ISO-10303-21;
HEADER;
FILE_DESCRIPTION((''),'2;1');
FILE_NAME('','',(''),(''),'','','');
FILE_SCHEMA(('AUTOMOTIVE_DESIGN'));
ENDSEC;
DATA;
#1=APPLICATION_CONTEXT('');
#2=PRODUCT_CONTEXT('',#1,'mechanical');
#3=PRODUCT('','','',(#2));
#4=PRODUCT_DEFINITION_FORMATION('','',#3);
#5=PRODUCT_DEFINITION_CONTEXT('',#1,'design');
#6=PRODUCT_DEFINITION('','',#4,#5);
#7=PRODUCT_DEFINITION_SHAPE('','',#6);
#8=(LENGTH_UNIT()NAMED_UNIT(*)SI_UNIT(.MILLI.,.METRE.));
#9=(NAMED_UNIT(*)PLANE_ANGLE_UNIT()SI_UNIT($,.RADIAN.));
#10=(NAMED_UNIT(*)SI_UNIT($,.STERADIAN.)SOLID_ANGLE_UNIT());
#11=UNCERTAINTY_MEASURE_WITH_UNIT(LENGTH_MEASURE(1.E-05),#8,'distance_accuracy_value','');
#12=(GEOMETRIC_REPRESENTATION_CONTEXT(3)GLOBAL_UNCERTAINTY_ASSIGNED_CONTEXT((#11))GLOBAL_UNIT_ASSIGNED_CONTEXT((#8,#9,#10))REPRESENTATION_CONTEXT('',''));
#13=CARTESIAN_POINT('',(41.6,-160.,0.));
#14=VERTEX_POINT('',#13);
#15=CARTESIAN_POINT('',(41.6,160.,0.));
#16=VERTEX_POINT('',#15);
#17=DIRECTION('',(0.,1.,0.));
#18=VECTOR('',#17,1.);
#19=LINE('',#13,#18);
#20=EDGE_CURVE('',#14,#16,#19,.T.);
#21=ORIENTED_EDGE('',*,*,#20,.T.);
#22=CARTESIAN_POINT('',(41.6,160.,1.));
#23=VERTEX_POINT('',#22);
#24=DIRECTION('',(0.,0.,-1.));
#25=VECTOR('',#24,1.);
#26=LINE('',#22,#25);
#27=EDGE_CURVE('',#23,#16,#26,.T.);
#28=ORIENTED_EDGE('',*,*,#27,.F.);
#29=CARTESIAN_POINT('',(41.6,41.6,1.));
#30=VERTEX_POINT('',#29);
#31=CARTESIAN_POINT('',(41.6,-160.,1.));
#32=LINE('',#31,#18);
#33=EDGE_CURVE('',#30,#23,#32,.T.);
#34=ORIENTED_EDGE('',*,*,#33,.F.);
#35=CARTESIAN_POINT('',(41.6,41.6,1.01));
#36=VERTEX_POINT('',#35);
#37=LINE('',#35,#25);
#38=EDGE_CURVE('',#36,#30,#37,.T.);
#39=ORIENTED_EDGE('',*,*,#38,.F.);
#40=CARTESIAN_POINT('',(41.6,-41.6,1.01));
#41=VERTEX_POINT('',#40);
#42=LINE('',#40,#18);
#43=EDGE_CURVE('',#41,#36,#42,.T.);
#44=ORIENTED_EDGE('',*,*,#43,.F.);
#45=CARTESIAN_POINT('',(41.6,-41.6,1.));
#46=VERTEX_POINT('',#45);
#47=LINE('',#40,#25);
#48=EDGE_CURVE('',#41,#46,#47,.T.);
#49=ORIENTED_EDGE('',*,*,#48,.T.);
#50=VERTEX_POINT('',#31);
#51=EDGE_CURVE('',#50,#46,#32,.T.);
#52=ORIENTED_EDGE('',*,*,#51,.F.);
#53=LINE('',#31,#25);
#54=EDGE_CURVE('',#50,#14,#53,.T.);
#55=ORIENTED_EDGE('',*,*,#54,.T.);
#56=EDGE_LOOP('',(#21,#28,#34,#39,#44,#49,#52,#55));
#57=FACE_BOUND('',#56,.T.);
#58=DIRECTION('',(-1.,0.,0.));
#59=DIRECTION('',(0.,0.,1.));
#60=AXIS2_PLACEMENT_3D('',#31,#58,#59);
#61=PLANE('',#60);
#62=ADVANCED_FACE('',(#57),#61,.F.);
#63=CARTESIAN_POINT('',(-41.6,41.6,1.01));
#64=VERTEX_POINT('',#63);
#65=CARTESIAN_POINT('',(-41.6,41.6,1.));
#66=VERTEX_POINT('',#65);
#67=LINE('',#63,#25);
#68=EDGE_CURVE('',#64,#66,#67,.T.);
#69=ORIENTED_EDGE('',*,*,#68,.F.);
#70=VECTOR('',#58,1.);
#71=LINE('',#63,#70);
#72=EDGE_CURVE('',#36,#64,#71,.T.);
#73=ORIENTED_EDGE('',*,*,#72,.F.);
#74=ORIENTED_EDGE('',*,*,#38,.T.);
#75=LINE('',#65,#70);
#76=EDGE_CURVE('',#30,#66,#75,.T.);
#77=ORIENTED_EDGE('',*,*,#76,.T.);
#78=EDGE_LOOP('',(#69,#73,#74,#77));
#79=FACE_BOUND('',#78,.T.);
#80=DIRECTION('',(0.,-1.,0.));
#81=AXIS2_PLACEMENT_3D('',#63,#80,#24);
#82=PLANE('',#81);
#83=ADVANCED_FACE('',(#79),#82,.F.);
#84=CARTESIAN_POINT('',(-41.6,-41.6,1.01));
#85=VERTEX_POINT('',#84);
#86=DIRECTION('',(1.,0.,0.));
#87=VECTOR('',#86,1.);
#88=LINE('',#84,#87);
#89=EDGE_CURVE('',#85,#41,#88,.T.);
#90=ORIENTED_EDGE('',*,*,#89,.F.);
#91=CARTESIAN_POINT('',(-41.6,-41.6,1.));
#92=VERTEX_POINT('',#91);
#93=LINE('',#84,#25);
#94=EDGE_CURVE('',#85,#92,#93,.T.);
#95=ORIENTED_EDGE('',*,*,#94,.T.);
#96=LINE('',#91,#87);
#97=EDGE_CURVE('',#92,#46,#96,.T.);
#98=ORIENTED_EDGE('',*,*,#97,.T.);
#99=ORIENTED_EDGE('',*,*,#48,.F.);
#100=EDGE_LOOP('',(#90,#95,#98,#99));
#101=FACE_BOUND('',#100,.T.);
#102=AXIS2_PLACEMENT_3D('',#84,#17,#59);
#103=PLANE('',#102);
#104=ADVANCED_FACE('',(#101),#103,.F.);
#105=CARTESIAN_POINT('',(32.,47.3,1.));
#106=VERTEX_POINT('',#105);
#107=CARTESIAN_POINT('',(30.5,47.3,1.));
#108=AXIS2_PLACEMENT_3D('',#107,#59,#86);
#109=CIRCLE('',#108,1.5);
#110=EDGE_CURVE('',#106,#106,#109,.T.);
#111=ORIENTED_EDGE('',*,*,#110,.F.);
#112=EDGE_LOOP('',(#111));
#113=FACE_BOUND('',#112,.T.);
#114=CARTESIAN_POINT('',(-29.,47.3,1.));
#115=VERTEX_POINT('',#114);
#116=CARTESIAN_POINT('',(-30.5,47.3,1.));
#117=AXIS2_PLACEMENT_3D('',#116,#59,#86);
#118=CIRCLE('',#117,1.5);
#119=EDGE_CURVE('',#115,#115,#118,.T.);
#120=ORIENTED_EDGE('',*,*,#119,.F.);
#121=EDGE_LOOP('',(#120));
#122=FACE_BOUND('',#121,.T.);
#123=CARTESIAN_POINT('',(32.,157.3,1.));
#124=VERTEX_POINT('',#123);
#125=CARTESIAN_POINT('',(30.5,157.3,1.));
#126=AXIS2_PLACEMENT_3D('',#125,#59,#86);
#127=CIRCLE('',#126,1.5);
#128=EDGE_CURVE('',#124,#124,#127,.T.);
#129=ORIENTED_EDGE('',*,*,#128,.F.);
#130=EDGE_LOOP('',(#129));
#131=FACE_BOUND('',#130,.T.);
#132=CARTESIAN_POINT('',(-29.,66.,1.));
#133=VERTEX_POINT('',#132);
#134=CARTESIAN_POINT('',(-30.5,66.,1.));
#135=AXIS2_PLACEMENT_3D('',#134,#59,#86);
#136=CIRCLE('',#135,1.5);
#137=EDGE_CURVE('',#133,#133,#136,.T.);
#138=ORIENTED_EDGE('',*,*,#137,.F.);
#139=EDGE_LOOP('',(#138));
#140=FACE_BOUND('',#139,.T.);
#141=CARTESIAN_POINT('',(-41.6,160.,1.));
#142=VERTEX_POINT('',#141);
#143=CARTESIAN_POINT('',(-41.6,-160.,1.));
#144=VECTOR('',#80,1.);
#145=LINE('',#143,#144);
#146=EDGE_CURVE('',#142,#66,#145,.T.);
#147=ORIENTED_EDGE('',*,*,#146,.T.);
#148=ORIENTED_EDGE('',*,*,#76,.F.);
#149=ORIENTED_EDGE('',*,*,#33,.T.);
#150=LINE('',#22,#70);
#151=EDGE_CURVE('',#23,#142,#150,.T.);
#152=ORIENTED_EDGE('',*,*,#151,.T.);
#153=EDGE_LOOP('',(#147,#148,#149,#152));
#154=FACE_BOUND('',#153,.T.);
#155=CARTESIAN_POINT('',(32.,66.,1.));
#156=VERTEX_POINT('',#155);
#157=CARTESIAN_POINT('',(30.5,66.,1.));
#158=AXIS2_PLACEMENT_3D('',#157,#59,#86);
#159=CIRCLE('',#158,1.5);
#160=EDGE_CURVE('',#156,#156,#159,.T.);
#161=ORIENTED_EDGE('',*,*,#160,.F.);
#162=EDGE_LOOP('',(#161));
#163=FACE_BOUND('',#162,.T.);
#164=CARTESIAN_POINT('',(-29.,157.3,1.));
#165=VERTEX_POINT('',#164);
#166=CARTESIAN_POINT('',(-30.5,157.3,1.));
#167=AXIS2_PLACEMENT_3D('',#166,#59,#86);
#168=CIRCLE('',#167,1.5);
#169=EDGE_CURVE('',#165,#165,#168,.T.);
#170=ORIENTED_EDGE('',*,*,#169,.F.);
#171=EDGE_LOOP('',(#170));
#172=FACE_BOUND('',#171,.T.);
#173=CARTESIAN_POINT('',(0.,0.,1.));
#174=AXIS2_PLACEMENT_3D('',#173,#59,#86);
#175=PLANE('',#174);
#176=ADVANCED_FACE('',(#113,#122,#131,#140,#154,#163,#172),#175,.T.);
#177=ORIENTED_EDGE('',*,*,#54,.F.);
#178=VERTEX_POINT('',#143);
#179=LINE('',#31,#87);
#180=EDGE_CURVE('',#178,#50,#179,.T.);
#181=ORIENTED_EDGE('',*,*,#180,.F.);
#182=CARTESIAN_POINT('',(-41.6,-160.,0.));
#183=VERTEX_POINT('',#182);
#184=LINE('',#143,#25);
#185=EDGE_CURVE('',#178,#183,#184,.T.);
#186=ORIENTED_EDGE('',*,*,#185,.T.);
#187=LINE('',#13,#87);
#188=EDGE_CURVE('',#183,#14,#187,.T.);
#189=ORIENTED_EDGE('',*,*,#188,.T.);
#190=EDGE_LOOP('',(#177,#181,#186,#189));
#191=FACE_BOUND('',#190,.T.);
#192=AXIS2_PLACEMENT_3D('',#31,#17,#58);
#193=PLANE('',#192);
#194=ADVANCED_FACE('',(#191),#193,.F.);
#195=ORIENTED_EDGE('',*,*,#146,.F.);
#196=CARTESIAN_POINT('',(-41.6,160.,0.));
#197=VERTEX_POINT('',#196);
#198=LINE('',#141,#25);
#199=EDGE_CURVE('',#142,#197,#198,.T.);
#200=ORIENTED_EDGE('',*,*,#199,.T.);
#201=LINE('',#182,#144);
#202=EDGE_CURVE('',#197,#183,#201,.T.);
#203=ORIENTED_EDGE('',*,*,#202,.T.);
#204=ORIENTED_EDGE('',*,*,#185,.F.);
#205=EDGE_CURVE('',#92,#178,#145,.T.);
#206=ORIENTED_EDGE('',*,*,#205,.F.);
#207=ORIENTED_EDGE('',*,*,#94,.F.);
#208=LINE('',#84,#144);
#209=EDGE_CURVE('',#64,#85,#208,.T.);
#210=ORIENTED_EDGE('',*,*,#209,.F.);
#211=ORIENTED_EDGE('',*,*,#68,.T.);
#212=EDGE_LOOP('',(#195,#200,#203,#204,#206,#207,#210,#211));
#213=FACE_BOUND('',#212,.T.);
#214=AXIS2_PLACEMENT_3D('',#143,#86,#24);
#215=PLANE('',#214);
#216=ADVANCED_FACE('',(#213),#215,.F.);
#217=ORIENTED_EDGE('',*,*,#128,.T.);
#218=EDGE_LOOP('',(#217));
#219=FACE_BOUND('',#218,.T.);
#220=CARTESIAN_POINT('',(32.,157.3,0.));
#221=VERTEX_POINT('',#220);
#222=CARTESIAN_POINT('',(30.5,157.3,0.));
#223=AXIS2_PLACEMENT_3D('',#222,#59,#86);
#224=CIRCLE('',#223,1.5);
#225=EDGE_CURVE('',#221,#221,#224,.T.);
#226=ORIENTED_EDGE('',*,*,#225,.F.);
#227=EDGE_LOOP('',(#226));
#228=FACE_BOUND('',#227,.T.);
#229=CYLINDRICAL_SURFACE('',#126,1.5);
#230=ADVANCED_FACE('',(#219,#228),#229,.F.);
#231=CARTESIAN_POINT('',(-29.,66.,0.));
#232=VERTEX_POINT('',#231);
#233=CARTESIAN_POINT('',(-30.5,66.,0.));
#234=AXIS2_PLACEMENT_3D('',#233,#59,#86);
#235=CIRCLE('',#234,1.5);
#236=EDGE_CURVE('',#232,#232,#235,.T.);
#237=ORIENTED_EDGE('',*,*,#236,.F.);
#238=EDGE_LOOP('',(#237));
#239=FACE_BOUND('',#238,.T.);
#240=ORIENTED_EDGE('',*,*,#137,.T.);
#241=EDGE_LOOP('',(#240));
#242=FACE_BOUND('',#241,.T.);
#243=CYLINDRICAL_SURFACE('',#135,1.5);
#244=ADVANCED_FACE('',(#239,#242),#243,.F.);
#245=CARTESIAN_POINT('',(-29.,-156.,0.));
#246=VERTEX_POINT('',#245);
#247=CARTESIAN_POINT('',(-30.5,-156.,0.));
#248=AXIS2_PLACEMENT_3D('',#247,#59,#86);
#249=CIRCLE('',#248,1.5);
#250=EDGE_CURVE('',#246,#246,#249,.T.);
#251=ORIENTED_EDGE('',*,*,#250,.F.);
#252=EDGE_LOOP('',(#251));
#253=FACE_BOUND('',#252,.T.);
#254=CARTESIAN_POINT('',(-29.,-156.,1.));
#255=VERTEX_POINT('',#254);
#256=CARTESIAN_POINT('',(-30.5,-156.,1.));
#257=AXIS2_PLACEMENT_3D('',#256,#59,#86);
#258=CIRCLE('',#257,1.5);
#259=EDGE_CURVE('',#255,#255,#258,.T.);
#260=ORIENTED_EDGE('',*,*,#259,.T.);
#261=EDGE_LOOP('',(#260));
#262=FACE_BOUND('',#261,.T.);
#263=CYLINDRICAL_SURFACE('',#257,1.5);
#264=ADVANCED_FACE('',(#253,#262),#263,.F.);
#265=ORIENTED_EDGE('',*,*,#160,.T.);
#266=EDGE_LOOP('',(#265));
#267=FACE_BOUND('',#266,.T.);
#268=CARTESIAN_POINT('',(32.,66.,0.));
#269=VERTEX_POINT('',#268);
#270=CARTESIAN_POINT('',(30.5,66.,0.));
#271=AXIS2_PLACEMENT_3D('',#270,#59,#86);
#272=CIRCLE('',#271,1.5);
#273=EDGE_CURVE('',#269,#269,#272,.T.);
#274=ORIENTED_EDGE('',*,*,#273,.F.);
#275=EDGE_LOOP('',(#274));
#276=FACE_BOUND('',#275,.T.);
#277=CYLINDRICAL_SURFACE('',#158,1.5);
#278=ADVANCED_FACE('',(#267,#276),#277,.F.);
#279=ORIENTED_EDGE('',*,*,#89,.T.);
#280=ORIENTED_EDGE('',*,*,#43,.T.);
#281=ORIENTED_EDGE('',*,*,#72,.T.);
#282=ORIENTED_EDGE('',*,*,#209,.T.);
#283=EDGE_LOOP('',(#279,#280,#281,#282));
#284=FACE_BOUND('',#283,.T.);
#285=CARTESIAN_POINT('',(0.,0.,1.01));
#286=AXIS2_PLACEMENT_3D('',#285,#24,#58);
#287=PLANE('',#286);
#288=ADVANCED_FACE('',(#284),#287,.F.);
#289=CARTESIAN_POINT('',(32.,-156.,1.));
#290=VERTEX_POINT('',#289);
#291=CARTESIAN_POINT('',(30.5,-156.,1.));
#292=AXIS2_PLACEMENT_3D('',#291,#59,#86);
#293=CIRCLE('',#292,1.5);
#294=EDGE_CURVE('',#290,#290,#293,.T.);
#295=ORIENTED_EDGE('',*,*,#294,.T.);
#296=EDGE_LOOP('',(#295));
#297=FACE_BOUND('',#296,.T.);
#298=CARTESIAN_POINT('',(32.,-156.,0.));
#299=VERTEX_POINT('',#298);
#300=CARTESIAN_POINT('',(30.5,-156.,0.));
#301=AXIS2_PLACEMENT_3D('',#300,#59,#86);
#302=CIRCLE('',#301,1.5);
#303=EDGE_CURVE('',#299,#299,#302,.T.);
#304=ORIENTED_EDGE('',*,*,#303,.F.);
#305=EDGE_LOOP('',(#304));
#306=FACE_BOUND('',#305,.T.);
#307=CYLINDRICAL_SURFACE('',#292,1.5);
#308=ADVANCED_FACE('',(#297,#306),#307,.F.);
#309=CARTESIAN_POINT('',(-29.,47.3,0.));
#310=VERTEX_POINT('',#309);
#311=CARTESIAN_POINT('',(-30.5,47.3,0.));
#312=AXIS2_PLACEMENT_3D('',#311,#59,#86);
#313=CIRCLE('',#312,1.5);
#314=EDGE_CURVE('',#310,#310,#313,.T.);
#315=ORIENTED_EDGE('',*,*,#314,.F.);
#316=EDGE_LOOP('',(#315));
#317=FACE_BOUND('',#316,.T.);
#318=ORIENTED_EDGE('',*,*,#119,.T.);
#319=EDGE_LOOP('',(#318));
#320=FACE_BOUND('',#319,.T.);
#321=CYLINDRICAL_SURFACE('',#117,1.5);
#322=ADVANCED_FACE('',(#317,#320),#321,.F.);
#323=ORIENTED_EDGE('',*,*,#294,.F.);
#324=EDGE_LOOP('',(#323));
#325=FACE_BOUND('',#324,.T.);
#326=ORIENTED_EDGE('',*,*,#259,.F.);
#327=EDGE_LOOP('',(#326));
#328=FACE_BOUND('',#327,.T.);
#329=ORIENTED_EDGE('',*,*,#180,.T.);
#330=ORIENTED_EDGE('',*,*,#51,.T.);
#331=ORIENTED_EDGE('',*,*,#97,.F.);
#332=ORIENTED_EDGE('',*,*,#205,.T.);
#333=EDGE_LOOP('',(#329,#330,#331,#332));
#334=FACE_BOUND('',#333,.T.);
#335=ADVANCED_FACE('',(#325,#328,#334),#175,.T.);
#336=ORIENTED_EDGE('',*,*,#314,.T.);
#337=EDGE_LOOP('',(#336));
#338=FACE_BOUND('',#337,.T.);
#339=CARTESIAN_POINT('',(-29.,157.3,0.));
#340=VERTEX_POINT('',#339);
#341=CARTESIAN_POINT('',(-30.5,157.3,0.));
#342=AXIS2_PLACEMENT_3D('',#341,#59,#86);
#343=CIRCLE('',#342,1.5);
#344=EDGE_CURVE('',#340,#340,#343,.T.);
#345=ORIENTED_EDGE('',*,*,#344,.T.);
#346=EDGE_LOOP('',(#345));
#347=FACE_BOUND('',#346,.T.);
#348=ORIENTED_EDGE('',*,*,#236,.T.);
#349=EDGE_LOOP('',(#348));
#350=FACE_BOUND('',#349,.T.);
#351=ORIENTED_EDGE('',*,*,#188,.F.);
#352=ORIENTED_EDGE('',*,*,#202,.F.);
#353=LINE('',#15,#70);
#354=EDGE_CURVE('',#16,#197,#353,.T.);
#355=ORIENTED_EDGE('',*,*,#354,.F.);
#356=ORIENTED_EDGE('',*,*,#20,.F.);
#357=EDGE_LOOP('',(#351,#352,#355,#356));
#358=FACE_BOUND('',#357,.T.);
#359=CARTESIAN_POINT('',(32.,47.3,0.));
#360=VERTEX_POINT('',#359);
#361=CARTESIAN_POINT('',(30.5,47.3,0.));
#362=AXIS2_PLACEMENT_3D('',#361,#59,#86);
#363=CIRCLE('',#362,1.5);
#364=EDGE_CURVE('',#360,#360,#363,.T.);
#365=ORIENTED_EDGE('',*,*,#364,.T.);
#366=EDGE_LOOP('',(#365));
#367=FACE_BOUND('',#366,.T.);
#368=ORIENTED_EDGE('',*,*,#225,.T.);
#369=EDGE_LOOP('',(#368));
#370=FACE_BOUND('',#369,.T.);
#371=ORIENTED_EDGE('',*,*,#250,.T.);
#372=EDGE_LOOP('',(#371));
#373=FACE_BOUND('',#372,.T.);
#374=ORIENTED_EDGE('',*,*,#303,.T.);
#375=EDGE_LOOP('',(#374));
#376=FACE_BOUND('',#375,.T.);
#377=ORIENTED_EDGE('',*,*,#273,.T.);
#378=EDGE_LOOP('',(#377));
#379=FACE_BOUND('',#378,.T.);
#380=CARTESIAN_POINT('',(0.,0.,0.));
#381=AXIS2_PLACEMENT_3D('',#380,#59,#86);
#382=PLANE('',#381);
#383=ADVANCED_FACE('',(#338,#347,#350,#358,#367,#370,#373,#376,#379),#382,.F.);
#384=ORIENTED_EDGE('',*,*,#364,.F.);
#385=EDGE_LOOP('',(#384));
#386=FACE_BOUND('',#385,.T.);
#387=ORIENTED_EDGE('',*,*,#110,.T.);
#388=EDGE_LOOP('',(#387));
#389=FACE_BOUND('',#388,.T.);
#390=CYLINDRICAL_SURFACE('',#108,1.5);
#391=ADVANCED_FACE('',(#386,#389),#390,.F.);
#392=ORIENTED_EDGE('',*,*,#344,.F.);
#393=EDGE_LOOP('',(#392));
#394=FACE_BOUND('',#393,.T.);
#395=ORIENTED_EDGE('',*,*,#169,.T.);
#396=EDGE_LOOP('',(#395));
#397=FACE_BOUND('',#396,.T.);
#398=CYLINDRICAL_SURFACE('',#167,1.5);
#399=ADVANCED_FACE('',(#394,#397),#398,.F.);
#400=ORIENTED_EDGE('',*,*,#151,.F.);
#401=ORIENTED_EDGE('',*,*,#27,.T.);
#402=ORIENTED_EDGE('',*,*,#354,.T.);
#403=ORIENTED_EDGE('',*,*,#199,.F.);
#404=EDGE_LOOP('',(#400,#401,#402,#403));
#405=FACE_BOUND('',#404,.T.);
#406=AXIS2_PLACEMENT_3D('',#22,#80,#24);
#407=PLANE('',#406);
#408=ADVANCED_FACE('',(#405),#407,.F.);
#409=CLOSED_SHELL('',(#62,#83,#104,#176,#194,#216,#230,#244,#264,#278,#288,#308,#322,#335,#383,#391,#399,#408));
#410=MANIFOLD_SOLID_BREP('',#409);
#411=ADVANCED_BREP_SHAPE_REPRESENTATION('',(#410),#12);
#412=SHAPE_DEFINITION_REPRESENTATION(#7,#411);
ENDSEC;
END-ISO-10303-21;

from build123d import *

# Parameters (mm, degrees)
SKETCH1_W                = 83.2
SKETCH1_H                = 320
BOSS_EXTRUDE1_DEPTH      = 1
F_3_0_3_DIAMETER_HOLE1_D = 3
SKETCH_1_W               = 83.2
SKETCH_1_H               = 83.2
EXTRUDE_1_DEPTH          = 0.01


with BuildPart() as part:
    # Sketch1 → Boss-Extrude1 (new body)
    with BuildSketch(Plane.XY):
        Rectangle(SKETCH1_W, SKETCH1_H)
    extrude(amount=BOSS_EXTRUDE1_DEPTH)

    # Ø3.0 (3) Diameter Hole1 (through all)
    with Locations(Plane.XY.offset(1)):
        with Locations((-30.5, 66), (30.5, 66), (30.5, -156), (-30.5, -156), (-30.5, 157.3), (30.5, 157.3), (-30.5, 47.3), (30.5, 47.3)):
            Hole(F_3_0_3_DIAMETER_HOLE1_D / 2)

    # Эскиз1 → Бобышка-Вытянуть1 (add)
    with BuildSketch(Plane.XY.offset(1)):
        Rectangle(SKETCH_1_W, SKETCH_1_H)
    extrude(amount=EXTRUDE_1_DEPTH)


solid = part.part
